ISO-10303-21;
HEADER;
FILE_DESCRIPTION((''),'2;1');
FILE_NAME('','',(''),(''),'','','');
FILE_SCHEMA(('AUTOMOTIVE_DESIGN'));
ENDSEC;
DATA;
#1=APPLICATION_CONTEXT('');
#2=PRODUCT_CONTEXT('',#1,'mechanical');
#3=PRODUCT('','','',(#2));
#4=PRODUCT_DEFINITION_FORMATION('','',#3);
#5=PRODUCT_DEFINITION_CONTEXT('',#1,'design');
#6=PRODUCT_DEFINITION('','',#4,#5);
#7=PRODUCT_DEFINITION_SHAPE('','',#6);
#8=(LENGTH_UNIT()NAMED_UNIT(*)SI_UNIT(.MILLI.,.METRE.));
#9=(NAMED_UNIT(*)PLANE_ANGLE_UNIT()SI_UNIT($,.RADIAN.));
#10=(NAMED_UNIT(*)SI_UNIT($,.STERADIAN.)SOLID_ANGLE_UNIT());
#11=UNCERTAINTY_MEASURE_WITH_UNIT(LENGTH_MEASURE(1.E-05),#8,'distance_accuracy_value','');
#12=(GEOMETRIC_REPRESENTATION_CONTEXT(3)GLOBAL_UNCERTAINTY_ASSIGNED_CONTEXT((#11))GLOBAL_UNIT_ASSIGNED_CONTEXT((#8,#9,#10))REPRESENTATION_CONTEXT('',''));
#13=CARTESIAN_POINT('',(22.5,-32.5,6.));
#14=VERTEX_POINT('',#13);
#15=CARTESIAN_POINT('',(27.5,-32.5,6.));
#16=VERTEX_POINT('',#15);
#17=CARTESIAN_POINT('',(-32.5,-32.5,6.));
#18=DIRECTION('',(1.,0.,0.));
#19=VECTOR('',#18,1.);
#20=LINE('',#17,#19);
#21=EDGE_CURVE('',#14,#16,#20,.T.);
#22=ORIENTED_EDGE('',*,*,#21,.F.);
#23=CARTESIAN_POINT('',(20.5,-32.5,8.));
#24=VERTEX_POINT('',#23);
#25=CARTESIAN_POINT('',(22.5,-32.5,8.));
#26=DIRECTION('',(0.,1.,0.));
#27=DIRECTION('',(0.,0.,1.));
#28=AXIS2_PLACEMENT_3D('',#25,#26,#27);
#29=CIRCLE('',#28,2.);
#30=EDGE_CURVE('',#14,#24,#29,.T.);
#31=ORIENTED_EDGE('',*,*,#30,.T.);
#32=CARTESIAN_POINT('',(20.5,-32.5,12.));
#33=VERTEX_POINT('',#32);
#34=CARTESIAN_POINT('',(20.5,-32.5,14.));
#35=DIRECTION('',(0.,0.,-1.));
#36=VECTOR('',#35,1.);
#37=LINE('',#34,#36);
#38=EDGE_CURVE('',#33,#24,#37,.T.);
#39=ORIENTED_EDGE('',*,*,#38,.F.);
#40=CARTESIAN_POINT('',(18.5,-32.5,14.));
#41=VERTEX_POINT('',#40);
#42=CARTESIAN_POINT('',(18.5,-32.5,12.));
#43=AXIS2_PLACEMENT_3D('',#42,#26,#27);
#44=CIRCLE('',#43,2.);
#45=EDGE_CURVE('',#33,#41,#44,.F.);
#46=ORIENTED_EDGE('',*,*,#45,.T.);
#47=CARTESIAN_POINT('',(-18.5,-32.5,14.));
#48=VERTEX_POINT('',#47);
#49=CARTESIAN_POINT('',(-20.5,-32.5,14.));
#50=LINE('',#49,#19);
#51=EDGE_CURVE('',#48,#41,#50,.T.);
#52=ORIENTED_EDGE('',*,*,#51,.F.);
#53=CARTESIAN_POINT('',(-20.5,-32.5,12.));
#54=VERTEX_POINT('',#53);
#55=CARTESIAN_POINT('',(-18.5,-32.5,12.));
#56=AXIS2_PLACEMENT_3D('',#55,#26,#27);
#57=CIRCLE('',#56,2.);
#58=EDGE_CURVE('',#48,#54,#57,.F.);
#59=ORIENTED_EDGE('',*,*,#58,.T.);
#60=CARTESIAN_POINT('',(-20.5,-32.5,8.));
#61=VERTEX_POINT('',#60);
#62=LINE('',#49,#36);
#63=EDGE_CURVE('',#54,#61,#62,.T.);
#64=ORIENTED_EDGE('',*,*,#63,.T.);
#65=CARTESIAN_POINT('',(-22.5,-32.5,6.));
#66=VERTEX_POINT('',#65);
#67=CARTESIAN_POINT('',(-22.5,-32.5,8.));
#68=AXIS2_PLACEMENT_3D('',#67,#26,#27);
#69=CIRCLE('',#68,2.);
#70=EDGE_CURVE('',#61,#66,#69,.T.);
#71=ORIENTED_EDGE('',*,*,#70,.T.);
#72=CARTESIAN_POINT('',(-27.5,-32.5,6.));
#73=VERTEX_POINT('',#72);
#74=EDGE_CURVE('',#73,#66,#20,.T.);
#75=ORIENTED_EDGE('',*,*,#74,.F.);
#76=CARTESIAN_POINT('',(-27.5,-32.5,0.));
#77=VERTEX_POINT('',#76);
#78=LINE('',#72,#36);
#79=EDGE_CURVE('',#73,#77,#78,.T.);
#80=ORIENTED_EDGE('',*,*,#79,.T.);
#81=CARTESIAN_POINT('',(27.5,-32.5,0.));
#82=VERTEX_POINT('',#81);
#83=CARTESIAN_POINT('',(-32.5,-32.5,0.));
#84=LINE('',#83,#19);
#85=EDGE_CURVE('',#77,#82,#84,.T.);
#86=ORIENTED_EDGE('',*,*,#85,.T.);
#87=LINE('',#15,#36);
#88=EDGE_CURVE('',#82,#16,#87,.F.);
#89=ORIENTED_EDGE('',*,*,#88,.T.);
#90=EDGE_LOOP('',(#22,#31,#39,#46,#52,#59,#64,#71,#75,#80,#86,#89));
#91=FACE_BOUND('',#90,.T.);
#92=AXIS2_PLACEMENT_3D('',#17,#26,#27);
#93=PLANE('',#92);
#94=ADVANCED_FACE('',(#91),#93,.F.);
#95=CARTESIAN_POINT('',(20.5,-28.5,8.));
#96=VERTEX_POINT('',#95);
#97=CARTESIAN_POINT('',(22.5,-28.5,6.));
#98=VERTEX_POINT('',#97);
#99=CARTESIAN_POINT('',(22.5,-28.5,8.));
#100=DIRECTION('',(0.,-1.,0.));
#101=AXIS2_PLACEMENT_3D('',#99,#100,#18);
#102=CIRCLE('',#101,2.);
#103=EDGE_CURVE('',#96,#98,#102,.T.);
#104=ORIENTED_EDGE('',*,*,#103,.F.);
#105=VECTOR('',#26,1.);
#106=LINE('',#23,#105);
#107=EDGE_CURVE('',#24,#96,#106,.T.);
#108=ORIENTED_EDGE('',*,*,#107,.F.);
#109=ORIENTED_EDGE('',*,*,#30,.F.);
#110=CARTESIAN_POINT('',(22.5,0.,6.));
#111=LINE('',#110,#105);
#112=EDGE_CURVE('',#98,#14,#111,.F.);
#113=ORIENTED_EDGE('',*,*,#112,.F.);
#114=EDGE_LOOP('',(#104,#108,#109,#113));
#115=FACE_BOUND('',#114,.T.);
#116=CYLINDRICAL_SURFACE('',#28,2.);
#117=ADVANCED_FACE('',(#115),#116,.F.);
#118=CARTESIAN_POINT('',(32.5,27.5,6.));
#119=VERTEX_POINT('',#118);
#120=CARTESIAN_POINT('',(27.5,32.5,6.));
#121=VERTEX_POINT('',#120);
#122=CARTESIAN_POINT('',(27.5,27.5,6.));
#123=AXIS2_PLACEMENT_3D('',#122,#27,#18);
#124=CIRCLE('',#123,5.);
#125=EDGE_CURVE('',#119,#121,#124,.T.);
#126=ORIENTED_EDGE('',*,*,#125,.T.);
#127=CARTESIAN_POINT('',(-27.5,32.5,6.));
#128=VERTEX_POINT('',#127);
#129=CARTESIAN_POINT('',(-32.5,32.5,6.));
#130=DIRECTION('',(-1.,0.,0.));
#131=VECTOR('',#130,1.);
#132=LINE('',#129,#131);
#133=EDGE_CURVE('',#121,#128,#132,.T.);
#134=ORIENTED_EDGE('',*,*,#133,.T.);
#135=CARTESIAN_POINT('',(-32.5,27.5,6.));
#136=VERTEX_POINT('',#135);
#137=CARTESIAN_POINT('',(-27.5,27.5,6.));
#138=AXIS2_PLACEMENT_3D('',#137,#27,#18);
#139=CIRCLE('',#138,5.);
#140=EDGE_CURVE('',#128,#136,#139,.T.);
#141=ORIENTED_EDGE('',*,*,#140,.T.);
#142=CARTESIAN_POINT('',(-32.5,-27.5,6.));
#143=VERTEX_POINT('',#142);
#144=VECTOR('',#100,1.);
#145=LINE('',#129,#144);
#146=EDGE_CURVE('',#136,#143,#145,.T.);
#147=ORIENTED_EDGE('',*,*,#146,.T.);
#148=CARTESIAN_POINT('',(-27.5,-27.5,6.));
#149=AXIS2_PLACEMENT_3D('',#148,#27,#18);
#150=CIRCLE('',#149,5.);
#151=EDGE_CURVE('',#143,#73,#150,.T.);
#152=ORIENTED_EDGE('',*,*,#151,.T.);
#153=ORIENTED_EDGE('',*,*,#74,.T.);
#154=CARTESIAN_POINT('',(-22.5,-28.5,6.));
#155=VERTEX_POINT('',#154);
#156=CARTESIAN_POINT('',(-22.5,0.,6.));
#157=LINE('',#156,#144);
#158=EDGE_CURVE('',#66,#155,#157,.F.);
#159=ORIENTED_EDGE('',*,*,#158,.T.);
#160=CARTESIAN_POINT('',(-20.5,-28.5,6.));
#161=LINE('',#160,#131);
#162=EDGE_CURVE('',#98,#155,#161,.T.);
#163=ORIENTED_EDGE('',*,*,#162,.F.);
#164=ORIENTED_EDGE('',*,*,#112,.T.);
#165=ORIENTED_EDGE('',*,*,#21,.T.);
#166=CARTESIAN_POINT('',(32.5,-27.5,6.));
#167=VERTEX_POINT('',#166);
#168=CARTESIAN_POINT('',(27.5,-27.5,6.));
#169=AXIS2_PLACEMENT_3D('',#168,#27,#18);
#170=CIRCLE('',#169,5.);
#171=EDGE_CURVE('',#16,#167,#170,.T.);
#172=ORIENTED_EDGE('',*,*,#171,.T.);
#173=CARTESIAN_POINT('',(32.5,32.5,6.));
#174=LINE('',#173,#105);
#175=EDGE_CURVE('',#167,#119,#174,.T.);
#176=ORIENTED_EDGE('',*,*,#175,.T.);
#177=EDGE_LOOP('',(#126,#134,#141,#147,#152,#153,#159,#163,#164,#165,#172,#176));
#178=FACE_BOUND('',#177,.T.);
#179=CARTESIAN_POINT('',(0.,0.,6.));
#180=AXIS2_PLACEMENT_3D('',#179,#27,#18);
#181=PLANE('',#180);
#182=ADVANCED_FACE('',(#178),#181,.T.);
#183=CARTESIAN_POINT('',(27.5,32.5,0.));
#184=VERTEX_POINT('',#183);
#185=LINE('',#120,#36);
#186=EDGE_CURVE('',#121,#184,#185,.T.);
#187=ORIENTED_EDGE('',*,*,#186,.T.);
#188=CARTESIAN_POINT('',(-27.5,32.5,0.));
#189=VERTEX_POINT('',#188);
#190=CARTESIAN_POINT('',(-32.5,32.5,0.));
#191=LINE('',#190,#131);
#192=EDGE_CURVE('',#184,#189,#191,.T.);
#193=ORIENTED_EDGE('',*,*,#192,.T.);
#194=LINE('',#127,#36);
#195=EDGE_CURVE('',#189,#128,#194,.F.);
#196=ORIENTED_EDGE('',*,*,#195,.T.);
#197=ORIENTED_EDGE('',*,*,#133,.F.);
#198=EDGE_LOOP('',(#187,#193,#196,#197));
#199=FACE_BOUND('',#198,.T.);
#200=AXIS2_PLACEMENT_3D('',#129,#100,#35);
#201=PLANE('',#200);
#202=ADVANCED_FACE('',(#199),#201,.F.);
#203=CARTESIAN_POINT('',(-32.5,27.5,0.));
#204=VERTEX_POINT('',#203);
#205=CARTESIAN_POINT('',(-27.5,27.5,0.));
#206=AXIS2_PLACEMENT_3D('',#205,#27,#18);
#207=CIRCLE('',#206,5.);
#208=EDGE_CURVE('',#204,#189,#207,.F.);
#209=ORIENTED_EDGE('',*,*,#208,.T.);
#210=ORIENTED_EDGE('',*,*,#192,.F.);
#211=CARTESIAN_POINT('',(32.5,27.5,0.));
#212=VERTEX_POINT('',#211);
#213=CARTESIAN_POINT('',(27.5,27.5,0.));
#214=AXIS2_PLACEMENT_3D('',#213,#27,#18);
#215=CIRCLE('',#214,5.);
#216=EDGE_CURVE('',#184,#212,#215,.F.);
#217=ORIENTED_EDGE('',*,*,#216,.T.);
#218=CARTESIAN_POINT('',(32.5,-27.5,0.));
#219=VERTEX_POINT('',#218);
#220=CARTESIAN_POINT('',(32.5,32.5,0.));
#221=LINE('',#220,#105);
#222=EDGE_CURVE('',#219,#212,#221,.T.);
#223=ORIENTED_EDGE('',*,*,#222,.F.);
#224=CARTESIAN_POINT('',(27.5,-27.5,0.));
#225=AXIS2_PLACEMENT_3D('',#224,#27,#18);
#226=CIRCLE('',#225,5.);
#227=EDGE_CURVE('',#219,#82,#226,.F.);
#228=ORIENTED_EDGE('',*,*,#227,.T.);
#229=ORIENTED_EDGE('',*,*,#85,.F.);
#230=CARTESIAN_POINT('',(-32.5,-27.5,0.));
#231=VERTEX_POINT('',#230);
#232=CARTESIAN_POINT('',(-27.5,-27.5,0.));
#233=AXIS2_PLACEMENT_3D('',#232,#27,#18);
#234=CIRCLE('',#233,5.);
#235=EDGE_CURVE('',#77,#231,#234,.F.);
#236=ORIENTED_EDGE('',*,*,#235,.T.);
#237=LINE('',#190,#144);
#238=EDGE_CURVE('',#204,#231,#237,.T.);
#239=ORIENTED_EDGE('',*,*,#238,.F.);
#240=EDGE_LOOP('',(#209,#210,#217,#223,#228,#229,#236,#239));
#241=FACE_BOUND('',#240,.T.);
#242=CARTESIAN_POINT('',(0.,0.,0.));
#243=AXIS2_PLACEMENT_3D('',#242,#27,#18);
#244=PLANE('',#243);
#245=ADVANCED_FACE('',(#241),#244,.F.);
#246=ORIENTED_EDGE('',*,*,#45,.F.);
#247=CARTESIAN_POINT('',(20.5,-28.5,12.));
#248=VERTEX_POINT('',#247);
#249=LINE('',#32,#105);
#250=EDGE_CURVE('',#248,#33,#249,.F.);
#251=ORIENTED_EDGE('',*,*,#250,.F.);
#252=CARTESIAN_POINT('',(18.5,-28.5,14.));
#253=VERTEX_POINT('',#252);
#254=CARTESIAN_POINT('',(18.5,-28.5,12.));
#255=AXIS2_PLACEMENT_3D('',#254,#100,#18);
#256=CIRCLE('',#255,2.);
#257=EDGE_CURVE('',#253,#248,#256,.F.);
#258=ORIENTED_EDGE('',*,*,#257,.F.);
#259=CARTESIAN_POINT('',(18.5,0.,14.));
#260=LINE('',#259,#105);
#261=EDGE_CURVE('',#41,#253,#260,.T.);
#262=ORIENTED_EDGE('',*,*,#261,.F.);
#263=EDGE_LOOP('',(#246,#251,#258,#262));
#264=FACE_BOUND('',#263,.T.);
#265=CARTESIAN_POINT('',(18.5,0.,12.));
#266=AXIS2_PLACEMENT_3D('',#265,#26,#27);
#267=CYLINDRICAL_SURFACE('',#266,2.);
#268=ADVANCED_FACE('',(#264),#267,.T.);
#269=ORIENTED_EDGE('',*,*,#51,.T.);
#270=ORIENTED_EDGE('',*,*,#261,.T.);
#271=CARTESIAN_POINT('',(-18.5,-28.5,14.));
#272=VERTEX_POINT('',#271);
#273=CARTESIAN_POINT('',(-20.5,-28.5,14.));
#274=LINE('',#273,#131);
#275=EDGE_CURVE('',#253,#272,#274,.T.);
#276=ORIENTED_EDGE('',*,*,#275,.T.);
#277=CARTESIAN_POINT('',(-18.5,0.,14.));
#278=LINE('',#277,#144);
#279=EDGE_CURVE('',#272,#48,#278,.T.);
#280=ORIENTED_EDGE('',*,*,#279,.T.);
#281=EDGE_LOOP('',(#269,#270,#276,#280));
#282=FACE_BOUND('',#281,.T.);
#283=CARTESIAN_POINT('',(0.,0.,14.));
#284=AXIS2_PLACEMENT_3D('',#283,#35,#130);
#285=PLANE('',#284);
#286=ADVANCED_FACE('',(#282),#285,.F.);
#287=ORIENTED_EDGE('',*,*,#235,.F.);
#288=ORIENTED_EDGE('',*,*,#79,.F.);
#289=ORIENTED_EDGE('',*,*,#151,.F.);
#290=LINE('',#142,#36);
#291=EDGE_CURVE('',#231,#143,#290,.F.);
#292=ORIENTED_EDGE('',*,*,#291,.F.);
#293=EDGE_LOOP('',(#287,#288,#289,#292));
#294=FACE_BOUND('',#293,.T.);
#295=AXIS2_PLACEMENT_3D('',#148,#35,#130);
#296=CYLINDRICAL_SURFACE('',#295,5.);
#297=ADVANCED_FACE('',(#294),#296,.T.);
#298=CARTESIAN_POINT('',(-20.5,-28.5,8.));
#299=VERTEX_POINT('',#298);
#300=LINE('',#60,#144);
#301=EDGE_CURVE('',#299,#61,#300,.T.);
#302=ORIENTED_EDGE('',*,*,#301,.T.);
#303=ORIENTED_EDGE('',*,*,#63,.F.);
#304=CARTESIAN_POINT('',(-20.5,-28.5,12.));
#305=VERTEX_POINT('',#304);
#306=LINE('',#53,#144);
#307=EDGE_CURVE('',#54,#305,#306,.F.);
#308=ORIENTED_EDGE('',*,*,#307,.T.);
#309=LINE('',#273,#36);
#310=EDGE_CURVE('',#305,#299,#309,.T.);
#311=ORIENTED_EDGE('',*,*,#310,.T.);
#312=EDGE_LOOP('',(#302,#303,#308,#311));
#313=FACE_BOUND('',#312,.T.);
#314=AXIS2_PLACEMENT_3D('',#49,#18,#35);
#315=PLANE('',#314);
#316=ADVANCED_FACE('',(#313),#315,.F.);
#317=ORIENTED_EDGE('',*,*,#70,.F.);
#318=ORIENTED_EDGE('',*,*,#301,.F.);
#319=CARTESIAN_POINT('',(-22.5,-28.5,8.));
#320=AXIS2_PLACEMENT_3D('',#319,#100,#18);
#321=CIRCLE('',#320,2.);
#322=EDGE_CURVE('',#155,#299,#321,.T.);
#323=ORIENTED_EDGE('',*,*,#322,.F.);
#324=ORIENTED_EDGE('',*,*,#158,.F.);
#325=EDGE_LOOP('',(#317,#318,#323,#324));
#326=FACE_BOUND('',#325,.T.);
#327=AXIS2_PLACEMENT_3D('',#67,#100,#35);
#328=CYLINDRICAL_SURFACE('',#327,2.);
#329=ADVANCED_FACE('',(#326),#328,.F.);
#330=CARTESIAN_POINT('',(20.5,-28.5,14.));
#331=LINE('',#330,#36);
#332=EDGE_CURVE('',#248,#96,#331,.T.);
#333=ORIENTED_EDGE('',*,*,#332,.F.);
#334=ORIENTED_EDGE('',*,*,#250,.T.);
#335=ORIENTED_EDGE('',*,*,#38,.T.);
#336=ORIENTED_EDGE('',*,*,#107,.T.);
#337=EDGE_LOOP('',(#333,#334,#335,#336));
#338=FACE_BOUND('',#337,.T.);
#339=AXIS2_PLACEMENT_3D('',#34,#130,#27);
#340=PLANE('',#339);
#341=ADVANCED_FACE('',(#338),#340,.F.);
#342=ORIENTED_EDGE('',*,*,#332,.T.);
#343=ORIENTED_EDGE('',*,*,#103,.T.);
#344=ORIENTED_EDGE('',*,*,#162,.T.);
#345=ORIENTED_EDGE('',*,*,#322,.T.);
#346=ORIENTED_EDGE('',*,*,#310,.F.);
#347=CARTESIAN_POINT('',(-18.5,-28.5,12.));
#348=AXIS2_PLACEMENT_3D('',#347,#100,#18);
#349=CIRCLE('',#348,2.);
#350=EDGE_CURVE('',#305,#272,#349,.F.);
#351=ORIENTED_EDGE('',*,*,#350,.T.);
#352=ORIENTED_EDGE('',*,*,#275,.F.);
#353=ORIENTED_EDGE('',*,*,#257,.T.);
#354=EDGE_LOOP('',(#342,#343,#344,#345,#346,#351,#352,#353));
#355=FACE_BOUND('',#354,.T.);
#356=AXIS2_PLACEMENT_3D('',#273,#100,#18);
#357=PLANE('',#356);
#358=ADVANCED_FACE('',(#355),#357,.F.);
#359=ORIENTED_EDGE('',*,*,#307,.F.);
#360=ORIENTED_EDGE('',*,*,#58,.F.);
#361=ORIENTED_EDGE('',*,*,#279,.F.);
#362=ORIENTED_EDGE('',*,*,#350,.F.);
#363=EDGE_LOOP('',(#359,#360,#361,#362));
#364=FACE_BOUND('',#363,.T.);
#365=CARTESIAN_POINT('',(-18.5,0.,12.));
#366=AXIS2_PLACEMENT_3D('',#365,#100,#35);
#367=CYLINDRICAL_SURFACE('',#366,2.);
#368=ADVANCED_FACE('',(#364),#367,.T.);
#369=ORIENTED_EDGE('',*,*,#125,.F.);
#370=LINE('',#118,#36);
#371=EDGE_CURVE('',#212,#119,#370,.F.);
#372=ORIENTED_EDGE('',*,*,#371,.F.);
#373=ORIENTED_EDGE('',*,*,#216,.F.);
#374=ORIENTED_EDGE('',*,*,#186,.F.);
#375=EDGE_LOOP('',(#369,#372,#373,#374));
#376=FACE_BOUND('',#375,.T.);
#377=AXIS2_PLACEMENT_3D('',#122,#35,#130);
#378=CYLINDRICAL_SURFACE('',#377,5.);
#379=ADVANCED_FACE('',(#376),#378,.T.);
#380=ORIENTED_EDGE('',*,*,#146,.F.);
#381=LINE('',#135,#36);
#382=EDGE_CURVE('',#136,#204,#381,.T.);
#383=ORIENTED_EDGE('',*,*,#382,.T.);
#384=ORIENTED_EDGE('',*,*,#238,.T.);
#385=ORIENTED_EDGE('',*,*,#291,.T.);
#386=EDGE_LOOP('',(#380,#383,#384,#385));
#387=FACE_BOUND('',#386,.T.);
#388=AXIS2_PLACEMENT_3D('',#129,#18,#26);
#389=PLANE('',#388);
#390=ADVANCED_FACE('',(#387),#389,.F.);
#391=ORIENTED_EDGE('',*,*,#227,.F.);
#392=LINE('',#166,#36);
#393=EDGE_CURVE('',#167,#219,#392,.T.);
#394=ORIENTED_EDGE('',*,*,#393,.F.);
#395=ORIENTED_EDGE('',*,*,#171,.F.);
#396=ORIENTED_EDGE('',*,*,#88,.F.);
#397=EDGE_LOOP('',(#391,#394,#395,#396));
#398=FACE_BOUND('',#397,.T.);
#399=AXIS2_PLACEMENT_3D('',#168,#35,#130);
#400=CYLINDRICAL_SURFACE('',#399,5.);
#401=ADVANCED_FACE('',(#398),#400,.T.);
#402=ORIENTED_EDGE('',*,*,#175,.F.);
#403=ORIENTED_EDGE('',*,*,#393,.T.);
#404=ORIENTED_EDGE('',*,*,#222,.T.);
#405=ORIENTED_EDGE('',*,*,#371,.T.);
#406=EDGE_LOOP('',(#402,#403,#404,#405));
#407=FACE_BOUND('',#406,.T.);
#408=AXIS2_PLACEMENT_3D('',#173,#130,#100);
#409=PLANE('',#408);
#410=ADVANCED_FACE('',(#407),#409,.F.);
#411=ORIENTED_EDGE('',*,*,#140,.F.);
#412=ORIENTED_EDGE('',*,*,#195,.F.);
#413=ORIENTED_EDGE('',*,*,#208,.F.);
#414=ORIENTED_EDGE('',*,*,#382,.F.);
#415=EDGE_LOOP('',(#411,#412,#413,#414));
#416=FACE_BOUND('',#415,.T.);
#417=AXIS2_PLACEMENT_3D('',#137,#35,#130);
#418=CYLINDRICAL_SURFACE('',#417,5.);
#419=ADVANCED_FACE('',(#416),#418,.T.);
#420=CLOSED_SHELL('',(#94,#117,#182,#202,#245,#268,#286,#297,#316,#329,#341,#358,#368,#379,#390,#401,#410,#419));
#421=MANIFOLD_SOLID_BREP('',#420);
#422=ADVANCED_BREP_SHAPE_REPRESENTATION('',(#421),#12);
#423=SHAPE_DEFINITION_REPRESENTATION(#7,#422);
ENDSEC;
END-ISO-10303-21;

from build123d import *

# Parameters (mm, degrees)
SKETCH1_W           = 65
SKETCH1_H           = 65
BOSS_EXTRUDE1_DEPTH = 6
FILLET1_R           = 5
SKETCH2_W           = 41
SKETCH2_H           = 4
BOSS_EXTRUDE2_DEPTH = 8
FILLET2_R           = 2


with BuildPart() as part:
    # Sketch1 → Boss-Extrude1 (new body)
    with BuildSketch(Plane.XY):
        Rectangle(SKETCH1_W, SKETCH1_H)
    extrude(amount=BOSS_EXTRUDE1_DEPTH)

    # Fillet1
    fillet1_edges = [part.edges().sort_by_distance(p)[0] for p in [
        (32.5, -32.5, 3),
        (-32.5, -32.5, 3),
        (-32.5, 32.5, 3),
        (32.5, 32.5, 3),
    ]]
    fillet(fillet1_edges, radius=FILLET1_R)

    # Sketch2 → Boss-Extrude2 (add)
    with BuildSketch(Plane.XY.offset(6)):
        with Locations((0, -30.5)):
            Rectangle(SKETCH2_W, SKETCH2_H)
    extrude(amount=BOSS_EXTRUDE2_DEPTH)

    # Fillet2
    fillet2_edges = [part.edges().sort_by_distance(p)[0] for p in [
        (-20.5, -30.5, 6),
        (20.5, -30.5, 6),
        (-20.5, -30.5, 14),
        (20.5, -30.5, 14),
    ]]
    fillet(fillet2_edges, radius=FILLET2_R)


solid = part.part
